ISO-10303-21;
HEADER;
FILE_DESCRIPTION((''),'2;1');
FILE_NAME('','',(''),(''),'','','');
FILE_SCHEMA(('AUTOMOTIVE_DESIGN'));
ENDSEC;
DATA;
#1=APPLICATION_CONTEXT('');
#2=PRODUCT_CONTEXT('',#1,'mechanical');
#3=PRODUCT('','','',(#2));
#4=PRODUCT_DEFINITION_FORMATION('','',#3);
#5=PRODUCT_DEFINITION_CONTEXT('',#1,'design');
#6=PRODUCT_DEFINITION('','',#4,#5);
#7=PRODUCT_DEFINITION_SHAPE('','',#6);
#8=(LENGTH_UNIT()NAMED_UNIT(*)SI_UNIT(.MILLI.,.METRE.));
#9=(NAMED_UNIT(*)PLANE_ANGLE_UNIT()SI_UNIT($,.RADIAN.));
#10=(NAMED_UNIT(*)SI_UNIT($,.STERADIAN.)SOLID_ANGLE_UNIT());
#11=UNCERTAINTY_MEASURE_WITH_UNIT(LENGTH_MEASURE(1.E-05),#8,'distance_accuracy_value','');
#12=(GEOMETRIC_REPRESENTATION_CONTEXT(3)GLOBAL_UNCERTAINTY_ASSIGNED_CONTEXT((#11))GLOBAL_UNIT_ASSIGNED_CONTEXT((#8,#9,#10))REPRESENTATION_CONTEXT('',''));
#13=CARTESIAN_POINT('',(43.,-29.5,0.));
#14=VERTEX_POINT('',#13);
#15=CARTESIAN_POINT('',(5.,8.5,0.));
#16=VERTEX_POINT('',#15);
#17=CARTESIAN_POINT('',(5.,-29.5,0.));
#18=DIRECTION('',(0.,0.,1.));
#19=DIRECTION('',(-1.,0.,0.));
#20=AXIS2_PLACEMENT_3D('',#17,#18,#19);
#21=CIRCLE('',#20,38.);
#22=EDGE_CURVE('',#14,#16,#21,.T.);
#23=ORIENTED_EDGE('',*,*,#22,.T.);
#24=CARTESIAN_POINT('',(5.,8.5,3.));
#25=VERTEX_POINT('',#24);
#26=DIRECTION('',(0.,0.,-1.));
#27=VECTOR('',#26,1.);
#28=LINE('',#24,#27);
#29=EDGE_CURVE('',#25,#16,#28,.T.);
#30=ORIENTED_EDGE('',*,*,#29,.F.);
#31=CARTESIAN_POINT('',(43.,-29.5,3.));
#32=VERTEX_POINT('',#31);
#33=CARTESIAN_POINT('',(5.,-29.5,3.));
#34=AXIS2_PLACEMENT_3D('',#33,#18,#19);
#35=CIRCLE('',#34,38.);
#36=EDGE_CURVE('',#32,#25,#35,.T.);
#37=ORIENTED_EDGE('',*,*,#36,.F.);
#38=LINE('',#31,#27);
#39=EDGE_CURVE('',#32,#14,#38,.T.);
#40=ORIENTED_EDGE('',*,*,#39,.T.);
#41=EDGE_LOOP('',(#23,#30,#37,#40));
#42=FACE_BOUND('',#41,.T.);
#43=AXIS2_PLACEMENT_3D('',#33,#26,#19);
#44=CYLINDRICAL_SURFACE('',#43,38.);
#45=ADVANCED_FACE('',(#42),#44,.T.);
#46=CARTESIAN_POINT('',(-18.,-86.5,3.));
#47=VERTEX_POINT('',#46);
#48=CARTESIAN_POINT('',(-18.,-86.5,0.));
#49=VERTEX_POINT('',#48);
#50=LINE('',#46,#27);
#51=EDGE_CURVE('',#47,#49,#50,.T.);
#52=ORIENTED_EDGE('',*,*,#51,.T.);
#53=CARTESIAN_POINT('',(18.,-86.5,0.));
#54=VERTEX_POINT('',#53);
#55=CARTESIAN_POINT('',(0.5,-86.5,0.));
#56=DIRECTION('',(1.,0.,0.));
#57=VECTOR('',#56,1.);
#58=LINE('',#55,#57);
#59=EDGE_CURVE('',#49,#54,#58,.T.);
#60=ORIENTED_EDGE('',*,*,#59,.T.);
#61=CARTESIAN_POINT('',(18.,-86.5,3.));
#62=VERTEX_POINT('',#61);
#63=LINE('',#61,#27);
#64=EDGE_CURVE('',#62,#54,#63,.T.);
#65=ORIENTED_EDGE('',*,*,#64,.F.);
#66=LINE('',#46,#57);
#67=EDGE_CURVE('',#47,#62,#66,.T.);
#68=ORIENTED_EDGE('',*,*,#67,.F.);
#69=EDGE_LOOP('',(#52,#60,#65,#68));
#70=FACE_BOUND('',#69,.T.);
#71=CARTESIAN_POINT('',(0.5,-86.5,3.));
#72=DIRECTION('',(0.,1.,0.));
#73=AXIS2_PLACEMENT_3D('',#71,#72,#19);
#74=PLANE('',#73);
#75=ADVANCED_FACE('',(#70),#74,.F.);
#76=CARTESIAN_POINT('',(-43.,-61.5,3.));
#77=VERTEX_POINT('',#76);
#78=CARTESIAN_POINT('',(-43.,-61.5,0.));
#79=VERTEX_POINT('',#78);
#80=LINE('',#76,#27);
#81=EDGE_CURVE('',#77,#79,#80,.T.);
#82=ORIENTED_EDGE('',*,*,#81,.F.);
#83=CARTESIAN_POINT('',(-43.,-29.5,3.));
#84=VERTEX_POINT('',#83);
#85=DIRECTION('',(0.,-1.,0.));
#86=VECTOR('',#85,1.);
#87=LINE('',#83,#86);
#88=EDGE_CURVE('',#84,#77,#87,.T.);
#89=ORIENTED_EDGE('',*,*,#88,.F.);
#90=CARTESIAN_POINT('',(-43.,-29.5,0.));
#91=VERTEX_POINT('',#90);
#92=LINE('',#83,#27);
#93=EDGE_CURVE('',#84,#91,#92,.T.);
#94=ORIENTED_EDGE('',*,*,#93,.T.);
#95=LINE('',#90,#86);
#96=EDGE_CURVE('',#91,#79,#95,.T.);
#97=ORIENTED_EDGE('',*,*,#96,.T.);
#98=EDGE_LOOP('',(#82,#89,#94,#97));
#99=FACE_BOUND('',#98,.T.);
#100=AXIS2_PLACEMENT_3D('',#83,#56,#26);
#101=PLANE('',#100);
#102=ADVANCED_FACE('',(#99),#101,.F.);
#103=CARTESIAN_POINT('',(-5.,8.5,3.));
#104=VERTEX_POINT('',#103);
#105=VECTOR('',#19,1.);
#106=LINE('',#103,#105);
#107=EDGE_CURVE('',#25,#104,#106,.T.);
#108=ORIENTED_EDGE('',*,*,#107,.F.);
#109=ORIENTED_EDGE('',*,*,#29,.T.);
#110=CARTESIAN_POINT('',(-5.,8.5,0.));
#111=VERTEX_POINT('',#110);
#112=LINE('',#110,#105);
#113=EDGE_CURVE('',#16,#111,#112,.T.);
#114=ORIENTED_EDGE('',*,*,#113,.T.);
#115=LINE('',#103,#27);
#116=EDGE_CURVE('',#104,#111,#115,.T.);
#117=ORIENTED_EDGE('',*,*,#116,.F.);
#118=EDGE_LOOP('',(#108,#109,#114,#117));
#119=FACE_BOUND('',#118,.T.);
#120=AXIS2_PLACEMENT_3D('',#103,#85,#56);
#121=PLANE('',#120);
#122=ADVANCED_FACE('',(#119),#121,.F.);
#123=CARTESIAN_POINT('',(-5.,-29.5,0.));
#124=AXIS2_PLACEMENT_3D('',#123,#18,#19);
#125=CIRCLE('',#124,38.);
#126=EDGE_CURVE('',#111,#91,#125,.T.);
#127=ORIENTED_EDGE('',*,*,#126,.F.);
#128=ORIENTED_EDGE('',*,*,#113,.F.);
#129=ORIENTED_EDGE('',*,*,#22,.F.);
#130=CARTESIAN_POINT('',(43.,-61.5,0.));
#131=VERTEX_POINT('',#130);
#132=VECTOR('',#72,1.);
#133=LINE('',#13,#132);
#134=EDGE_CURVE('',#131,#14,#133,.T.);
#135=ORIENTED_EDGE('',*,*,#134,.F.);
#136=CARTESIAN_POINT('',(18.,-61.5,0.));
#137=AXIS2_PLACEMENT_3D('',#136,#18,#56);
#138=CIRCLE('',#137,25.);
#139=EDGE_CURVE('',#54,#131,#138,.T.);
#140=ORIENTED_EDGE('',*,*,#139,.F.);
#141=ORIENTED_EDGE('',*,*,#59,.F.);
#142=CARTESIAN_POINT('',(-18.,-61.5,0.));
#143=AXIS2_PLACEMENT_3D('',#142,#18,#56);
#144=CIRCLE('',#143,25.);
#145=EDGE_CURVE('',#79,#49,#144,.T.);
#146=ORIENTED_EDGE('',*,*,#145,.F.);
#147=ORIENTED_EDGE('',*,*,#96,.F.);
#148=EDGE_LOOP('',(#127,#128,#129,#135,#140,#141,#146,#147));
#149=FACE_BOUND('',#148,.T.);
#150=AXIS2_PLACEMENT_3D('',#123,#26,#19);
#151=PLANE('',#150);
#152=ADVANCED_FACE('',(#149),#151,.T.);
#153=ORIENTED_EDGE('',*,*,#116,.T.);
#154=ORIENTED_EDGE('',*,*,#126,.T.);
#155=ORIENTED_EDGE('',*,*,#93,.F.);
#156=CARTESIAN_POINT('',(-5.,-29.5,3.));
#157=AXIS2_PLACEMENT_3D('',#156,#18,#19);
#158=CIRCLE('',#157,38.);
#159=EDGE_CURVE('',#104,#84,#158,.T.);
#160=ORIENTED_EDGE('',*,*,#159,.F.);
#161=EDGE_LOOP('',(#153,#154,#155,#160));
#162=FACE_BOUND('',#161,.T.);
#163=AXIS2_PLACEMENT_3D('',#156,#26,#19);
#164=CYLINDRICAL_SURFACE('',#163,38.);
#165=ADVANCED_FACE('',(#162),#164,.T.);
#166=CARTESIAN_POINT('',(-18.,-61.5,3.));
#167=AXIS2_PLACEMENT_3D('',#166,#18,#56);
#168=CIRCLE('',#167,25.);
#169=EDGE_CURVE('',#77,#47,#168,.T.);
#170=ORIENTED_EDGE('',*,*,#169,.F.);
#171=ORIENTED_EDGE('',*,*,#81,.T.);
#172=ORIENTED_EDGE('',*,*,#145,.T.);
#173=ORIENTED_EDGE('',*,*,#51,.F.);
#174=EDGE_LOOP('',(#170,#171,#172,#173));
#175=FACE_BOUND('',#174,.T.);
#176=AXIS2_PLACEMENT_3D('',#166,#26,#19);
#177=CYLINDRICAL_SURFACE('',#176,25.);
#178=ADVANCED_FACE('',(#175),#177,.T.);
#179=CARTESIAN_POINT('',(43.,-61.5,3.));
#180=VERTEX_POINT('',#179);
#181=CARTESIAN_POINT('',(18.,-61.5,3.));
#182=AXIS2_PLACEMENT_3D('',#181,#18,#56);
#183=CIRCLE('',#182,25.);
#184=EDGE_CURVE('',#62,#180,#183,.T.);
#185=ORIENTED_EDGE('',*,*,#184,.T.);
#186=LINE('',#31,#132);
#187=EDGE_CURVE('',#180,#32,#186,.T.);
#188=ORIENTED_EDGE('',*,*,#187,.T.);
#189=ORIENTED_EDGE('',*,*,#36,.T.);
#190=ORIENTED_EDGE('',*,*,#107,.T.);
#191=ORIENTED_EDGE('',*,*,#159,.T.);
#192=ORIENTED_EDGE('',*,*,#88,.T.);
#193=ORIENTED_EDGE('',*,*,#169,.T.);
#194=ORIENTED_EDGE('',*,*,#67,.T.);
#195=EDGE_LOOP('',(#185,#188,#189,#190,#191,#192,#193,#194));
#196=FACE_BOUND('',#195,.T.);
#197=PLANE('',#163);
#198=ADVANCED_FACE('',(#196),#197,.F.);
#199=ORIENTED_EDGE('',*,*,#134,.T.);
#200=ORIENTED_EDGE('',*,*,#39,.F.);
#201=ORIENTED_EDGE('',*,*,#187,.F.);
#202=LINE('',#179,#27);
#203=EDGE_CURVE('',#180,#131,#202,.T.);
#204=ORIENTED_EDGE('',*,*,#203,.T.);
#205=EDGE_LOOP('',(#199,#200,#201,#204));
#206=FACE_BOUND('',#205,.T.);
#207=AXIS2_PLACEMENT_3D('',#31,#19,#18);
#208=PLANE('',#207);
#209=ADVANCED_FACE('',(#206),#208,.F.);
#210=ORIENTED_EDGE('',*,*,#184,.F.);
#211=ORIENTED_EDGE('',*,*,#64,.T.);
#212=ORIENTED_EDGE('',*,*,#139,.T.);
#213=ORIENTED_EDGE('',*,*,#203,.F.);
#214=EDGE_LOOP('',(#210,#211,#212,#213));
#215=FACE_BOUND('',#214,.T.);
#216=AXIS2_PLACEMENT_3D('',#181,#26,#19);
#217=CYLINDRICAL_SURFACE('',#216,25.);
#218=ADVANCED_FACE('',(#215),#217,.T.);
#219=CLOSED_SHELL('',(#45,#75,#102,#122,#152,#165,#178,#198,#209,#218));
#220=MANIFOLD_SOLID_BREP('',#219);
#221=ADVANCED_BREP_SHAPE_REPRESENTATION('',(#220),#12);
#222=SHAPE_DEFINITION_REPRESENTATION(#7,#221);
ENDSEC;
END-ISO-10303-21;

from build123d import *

# Parameters (mm, degrees)
BOSS_EXTRUDE1_DEPTH = 3


with BuildPart() as part:
    # Sketch1 → Boss-Extrude1 (new body)
    with BuildSketch(Plane.XY):
        with BuildLine():
            Line((-5, 8.5), (5, 8.5))
            ThreePointArc((5, 8.5), (31.870057685, -2.629942315), (43, -29.5))
            Line((43, -29.5), (43, -61.5))
            ThreePointArc((43, -61.5), (35.67766953, -79.17766953), (18, -86.5))
            Line((18, -86.5), (0.5, -86.5))
            Line((0.5, -86.5), (-0.5, -86.5))
            Line((-0.5, -86.5), (-18, -86.5))
            ThreePointArc((-18, -86.5), (-35.67766953, -79.17766953), (-43, -61.5))
            Line((-43, -61.5), (-43, -29.5))
            ThreePointArc((-43, -29.5), (-31.870057685, -2.629942315), (-5, 8.5))
        make_face()
    extrude(amount=BOSS_EXTRUDE1_DEPTH)


solid = part.part
